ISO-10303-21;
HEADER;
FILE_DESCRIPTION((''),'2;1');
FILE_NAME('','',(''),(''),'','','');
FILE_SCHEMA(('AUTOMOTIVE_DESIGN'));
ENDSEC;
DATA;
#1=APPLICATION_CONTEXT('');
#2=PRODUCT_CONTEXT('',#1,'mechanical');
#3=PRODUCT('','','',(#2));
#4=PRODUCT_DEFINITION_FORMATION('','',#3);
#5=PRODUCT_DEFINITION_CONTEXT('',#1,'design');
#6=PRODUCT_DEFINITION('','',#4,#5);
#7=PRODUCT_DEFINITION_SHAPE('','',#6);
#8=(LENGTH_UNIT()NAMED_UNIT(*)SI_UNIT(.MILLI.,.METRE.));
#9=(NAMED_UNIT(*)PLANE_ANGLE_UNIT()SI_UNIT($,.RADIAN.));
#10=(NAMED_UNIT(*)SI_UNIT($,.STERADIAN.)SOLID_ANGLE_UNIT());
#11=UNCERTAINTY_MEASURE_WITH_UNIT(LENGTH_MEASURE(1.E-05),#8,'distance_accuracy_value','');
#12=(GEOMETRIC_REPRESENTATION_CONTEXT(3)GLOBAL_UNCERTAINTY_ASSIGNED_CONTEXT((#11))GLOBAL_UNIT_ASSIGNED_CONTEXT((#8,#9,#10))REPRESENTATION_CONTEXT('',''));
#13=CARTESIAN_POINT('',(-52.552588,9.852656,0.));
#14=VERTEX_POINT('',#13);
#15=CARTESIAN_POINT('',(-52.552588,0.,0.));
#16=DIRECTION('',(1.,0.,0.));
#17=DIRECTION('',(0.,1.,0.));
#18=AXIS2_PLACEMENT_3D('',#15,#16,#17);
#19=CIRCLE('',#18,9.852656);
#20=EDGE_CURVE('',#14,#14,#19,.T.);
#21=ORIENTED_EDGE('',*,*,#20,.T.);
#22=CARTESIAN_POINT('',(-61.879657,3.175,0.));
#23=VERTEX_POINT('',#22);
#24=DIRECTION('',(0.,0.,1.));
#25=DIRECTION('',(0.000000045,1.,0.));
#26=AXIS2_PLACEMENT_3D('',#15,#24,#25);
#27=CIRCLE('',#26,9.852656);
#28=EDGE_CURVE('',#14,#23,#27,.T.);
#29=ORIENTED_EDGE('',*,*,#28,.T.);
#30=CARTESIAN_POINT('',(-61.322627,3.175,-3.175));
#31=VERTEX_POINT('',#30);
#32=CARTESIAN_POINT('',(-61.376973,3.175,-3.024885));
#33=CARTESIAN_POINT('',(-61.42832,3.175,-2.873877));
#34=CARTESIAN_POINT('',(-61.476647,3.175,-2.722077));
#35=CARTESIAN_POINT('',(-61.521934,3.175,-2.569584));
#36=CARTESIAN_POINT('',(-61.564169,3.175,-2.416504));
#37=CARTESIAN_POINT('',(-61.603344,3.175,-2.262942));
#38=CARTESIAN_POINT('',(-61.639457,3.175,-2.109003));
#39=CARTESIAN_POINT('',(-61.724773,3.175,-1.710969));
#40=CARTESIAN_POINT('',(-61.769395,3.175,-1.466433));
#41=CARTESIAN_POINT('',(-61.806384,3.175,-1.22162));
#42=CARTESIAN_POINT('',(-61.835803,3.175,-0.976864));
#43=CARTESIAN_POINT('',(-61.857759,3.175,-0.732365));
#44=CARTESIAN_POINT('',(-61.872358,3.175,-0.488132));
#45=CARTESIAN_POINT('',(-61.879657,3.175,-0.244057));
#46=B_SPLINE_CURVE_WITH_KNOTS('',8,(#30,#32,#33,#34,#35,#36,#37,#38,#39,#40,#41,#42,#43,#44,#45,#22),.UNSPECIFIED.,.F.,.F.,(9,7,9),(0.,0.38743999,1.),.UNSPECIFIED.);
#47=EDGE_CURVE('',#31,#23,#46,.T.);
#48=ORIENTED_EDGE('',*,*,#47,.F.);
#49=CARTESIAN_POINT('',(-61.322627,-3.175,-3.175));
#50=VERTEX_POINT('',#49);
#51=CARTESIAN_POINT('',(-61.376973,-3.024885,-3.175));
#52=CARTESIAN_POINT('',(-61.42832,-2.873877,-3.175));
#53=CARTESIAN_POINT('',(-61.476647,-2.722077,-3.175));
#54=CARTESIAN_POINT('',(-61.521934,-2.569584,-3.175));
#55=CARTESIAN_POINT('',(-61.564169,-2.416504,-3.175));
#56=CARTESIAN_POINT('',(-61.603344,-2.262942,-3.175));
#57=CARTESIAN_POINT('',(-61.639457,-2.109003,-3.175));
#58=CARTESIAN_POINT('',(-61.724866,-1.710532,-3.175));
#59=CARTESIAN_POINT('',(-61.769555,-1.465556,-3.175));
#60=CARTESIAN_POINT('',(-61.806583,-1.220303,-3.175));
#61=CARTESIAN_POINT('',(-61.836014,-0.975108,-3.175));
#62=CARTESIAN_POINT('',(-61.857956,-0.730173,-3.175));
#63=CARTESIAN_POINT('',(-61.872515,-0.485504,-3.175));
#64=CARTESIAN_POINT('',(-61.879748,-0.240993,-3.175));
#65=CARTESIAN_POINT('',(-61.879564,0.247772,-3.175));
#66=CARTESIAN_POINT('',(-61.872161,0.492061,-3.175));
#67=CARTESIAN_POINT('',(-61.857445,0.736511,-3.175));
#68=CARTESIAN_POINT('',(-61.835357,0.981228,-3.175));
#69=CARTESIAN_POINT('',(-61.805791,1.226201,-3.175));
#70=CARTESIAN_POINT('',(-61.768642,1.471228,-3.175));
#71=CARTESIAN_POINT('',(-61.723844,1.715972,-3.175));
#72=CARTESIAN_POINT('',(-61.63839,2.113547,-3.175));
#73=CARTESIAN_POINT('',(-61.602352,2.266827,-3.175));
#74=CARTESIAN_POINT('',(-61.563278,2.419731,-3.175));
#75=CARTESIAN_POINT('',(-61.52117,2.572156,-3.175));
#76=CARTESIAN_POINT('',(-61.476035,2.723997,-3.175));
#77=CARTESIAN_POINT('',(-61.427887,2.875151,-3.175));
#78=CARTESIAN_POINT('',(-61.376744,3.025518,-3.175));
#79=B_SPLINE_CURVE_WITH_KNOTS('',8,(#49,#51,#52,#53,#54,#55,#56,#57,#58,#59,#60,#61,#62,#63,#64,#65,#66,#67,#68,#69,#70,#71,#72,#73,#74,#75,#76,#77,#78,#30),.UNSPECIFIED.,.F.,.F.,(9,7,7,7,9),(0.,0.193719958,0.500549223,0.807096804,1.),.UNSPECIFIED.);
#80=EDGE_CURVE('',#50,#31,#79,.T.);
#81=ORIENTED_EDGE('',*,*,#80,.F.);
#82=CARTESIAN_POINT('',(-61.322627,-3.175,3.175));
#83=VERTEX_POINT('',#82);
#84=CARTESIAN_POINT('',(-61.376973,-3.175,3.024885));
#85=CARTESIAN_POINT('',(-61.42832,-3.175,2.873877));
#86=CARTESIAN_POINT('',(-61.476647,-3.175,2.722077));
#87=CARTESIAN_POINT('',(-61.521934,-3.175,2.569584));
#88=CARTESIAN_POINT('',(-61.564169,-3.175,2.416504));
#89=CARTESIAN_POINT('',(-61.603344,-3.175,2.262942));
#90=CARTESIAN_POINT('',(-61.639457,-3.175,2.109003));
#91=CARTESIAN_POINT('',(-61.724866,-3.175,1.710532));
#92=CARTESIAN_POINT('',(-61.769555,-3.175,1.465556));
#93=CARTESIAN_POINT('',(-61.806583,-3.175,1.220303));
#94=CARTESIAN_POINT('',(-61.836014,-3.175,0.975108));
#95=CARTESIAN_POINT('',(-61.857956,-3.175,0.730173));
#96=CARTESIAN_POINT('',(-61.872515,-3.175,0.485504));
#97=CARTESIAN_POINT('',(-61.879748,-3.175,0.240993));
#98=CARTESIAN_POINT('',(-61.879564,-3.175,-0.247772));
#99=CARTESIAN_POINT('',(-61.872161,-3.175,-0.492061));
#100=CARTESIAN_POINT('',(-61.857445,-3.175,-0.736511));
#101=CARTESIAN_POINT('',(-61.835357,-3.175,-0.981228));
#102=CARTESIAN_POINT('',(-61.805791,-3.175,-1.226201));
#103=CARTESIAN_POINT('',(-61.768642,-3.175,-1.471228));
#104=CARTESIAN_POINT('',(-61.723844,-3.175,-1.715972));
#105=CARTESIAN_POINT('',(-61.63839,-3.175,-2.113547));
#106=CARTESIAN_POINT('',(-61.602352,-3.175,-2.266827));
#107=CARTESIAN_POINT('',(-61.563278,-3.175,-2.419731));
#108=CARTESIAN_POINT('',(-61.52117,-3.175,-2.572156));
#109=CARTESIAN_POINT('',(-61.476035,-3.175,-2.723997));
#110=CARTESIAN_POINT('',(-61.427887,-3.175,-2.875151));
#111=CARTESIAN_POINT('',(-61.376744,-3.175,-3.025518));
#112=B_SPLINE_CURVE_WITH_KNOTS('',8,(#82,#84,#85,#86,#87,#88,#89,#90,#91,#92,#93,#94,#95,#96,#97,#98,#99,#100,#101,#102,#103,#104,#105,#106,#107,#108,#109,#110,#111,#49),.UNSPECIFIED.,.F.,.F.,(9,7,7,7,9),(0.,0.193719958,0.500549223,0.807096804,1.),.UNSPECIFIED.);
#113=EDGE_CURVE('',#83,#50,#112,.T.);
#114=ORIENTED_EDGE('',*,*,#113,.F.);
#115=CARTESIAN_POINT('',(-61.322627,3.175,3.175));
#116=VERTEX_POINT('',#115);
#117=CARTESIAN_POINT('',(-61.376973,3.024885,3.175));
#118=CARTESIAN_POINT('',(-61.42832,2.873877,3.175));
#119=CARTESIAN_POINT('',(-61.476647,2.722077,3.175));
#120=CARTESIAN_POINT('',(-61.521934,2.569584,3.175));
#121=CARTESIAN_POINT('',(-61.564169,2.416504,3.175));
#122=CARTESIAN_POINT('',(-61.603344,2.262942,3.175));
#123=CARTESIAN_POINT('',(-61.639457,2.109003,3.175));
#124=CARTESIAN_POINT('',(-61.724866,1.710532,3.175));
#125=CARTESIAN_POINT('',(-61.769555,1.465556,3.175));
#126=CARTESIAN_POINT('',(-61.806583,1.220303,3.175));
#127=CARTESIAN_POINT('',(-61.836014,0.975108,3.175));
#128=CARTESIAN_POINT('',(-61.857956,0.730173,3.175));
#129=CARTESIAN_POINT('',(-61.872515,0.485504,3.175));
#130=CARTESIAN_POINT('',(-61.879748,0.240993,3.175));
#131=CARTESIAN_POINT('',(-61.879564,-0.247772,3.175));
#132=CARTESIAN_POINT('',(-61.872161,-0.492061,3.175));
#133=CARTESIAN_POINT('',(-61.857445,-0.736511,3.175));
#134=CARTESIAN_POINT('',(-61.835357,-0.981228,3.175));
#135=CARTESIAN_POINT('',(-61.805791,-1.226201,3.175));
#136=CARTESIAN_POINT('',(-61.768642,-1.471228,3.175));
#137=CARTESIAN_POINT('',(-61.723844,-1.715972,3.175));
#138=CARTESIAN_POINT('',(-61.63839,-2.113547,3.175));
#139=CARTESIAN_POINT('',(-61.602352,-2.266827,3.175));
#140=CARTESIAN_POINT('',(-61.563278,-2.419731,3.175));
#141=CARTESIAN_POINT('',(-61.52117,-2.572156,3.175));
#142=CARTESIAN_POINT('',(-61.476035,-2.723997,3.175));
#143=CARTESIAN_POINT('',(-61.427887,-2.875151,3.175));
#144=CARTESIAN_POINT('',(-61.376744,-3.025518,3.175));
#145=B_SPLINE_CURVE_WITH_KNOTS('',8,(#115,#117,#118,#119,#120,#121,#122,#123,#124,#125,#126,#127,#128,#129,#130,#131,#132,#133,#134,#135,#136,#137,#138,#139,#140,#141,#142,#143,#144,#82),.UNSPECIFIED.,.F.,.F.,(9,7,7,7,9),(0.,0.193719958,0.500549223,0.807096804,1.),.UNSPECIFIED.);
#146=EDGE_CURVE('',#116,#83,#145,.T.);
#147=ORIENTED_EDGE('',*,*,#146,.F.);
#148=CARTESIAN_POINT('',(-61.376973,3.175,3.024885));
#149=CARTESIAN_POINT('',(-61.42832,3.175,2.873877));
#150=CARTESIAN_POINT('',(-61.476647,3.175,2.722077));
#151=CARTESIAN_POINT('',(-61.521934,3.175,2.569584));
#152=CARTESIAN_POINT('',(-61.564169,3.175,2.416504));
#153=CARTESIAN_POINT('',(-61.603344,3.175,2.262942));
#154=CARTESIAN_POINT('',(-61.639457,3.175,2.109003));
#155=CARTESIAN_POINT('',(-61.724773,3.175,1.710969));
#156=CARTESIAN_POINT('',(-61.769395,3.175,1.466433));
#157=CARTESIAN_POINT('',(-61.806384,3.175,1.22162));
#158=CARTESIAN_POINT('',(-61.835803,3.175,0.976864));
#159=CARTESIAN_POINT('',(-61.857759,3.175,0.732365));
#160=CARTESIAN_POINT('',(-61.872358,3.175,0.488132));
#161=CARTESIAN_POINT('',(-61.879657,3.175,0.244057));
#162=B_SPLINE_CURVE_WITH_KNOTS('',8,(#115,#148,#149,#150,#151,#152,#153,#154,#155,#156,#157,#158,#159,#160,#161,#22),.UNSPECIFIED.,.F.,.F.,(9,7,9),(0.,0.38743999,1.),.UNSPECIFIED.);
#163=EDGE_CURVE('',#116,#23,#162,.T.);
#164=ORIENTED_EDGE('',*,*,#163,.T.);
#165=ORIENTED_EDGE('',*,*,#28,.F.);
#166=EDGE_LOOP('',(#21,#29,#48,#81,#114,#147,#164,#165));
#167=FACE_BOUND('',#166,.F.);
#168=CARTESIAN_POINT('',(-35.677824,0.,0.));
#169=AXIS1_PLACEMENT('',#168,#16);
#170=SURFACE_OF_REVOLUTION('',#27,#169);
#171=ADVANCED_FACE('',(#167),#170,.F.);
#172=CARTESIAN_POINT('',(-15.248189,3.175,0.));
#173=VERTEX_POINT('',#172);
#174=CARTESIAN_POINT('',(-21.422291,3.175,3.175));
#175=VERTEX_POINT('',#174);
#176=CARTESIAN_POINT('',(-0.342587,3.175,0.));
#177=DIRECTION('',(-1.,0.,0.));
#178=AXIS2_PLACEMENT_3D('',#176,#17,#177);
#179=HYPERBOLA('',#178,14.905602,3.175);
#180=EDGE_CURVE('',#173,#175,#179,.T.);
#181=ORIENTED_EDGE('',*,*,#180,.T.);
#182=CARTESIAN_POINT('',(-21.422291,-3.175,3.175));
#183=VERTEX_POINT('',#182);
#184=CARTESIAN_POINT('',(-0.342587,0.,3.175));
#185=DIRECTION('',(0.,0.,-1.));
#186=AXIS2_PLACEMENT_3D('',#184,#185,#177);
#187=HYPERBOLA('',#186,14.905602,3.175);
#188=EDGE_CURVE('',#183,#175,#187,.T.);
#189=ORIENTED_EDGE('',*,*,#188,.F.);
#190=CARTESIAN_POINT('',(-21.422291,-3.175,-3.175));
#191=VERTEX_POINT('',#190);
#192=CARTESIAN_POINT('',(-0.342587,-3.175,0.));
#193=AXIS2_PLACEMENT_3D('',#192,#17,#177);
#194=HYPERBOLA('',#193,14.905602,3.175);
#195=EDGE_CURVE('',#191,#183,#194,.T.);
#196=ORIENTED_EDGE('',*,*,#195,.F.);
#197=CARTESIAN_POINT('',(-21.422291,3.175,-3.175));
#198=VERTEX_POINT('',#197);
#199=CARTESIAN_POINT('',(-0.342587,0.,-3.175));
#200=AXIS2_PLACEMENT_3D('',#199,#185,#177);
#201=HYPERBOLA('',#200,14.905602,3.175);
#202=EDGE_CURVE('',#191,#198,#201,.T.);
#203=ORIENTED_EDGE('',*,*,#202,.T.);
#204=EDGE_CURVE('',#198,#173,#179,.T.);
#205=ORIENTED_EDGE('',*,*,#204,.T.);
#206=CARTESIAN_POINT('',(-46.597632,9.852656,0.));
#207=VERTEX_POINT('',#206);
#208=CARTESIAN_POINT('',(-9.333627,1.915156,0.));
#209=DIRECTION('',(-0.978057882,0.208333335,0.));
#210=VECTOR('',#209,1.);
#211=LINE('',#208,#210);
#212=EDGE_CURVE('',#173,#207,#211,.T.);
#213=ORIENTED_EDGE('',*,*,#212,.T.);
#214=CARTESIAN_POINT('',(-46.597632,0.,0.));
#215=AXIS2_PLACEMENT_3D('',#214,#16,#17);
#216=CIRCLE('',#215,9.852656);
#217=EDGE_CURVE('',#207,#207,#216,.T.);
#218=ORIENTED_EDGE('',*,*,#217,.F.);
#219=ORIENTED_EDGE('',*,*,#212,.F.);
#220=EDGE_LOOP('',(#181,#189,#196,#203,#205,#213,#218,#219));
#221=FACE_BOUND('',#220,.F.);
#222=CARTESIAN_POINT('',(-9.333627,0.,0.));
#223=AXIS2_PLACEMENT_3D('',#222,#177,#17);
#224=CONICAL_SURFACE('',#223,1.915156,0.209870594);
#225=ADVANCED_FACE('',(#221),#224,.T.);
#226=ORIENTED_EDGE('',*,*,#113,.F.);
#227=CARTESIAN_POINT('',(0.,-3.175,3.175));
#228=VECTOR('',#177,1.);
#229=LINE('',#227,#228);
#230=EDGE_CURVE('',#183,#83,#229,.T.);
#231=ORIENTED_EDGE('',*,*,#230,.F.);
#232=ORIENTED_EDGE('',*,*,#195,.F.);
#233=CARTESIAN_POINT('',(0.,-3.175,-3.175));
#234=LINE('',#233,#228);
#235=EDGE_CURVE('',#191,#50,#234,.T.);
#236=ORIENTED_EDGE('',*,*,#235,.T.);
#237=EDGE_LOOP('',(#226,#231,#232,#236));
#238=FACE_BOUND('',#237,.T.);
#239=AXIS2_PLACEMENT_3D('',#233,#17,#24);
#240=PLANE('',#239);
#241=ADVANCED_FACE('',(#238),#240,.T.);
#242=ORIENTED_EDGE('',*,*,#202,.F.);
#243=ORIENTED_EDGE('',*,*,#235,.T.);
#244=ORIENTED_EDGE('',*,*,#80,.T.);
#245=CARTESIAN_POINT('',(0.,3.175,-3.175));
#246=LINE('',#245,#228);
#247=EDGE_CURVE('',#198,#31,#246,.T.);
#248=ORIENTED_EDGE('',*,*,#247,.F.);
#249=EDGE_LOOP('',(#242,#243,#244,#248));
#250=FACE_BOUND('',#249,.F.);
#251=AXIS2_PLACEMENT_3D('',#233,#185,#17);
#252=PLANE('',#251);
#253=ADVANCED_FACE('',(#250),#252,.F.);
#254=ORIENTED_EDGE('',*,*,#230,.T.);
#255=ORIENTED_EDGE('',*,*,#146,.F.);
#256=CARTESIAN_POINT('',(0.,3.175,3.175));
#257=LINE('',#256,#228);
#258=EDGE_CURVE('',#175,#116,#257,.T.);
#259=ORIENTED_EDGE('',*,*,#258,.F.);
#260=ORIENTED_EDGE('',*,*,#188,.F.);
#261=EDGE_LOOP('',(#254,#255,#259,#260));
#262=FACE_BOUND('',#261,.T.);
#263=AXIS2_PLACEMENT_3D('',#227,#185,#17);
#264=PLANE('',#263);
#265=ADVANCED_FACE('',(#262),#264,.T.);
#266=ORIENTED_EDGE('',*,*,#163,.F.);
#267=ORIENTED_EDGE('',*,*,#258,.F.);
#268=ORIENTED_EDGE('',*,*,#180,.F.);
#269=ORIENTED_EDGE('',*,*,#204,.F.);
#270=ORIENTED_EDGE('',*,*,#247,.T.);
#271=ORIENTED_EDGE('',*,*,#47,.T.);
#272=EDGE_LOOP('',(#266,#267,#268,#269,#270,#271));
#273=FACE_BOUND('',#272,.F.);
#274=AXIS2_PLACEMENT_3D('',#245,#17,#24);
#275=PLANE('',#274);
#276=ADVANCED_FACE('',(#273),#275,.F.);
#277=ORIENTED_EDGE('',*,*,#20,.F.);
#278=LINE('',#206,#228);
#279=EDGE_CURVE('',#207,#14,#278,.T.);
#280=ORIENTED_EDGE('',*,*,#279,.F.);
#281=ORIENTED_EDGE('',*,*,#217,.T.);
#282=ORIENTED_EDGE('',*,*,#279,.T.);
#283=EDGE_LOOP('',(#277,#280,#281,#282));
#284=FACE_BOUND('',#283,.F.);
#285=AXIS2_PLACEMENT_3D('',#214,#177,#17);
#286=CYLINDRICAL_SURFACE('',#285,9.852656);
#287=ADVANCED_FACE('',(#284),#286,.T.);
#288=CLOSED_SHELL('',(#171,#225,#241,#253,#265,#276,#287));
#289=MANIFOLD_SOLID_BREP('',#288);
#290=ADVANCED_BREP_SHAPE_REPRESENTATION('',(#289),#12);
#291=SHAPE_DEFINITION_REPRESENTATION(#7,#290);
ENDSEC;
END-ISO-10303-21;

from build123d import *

# Parameters (mm, degrees)
F1_W     = 6.35
F1_H     = 6.35
F3_DEPTH = 62.406244


with BuildPart() as f2:
    # F0 (on Top) → F2 (revolve)
    with BuildSketch(Plane.XY):
        with BuildLine():
            Line((-9.333627, 1.915156), (-46.597632, 9.852656))
            Line((-46.597632, 9.852656), (-52.552588, 9.852656))
            ThreePointArc((-52.552588, 9.852656), (-59.519468, 6.96688), (-62.405244, 0))
            Line((-62.405244, 0), (-7.762354, 0))
            ThreePointArc((-7.762354, 0), (-8.212572, 1.232769), (-9.333627, 1.915156))
        make_face()
    revolve(axis=Axis((-35.677824, 0, 0), (1, 0, 0)))

    # F1 (on Right) → F3 (cut, through all)
    with BuildSketch(Plane.YZ):
        Rectangle(F1_W, F1_H)
    extrude(amount=-F3_DEPTH, mode=Mode.SUBTRACT)


solid = f2.part
